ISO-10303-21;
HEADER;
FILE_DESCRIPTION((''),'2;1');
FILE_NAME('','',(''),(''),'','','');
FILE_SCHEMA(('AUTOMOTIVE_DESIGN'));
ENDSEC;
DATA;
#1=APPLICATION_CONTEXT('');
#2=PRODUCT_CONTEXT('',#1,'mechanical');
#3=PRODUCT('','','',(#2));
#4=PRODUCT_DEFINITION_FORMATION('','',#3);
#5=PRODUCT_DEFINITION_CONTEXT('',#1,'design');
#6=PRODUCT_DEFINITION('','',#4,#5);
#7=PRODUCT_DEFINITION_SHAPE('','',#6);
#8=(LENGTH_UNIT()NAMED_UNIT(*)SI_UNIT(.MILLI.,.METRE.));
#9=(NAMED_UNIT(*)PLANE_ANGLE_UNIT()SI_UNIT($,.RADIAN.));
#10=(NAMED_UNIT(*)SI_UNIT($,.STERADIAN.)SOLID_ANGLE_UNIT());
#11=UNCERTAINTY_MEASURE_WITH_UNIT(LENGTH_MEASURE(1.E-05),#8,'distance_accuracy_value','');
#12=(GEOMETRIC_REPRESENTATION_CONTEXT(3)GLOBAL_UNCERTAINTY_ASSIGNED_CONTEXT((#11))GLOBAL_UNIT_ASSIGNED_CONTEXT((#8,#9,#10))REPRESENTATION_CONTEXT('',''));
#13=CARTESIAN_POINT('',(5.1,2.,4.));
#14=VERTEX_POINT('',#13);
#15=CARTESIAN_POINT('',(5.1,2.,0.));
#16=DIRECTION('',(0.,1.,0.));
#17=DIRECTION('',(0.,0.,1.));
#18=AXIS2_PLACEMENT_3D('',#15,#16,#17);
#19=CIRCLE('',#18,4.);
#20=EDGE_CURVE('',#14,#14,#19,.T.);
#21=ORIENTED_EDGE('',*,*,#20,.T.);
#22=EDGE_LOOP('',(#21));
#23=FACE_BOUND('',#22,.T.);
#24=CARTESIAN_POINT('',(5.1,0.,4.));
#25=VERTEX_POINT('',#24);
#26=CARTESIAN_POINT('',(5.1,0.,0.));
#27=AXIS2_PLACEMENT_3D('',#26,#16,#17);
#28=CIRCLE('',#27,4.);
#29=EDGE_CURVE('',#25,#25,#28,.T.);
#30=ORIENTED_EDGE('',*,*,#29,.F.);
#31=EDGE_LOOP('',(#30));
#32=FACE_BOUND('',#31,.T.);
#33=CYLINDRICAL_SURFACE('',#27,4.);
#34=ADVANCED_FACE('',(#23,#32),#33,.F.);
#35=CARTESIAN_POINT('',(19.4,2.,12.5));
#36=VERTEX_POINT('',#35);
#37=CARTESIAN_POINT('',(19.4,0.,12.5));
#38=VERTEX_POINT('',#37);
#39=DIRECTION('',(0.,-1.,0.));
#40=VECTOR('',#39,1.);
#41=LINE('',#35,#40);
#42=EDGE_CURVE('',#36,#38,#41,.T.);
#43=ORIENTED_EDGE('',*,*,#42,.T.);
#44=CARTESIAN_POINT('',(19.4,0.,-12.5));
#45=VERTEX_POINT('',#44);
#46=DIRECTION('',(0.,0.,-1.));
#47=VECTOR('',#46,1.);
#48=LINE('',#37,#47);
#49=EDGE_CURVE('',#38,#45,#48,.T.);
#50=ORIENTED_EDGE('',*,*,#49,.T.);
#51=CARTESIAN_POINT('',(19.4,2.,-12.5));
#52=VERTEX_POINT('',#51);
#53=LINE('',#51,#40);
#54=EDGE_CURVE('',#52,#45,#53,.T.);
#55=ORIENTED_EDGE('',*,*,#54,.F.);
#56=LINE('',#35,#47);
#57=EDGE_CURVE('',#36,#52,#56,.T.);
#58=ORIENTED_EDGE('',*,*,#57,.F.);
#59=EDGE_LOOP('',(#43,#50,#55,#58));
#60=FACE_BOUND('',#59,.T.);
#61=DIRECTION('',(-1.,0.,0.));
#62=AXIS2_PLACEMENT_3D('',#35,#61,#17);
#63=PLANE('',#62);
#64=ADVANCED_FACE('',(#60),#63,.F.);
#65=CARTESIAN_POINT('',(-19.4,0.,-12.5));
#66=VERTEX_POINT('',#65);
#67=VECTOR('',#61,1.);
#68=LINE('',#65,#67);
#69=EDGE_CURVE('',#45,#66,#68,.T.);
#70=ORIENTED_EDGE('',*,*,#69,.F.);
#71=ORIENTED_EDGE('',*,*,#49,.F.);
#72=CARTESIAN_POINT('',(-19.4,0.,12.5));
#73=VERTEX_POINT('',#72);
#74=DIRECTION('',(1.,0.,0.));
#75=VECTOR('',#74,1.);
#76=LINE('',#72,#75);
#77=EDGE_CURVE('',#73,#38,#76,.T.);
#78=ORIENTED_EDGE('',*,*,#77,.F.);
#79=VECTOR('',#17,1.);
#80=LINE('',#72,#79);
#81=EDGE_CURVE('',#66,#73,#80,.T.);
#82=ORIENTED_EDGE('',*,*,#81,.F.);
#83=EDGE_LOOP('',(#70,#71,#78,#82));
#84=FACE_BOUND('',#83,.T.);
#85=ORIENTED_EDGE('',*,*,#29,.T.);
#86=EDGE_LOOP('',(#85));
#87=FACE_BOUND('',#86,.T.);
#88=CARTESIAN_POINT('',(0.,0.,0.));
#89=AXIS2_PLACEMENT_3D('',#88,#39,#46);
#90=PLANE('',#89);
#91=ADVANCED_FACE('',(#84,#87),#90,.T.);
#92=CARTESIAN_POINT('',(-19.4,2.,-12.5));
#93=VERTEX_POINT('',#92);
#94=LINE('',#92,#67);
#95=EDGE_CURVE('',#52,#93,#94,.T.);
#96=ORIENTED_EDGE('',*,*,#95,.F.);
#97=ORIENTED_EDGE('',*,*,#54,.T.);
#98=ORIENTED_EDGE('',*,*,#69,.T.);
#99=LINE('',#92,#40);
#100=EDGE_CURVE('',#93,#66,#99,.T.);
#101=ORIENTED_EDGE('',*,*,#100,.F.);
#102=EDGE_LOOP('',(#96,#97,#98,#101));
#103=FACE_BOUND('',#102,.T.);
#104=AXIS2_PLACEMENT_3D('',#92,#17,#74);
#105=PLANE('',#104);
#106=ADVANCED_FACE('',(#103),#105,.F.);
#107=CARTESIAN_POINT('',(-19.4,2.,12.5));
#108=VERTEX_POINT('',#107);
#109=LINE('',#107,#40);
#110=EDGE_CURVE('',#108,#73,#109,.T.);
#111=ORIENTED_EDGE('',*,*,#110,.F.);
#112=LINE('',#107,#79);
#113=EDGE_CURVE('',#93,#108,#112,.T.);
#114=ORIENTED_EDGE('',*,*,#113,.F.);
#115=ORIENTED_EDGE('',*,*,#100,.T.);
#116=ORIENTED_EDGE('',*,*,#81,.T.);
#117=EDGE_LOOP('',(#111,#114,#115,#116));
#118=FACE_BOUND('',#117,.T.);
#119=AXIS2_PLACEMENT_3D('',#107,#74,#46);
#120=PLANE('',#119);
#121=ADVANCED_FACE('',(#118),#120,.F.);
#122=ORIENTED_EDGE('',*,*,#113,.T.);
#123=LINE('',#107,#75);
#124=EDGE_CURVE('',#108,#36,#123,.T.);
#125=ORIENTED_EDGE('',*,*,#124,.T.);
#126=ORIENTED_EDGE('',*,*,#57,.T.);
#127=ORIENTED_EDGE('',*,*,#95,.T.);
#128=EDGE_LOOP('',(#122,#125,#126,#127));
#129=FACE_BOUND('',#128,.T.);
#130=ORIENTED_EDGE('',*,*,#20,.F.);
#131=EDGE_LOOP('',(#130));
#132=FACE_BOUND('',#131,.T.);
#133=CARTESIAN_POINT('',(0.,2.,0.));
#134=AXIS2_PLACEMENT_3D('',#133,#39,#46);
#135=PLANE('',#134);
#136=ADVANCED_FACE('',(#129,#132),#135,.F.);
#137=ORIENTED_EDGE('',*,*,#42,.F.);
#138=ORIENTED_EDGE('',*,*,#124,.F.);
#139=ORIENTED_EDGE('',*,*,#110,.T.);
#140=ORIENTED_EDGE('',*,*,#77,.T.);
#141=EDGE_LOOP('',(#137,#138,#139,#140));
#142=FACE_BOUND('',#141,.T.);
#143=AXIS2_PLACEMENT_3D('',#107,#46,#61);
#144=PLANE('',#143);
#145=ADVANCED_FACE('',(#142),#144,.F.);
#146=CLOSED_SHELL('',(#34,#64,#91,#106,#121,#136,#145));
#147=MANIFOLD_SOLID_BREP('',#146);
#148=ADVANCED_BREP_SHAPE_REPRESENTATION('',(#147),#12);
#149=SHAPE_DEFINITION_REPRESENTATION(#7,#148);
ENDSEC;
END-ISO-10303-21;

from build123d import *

# Parameters (mm, degrees)
SKETCH2_W           = 38.8
SKETCH2_H           = 25
BOSS_EXTRUDE1_DEPTH = 2
SKETCH3_R           = 4
CUT_EXTRUDE1_DEPTH  = 3


with BuildPart() as part:
    # Sketch2 → Boss-Extrude1 (new body)
    with BuildSketch(Plane(origin=(0, 0, 0), x_dir=(1, 0, 0), z_dir=(0, 1, 0))):
        Rectangle(SKETCH2_W, SKETCH2_H)
    extrude(amount=BOSS_EXTRUDE1_DEPTH)

    # Sketch3 → Cut-Extrude1 (cut, through all)
    with BuildSketch(Plane(origin=(0, 2, 0), x_dir=(1, 0, 0), z_dir=(0, 1, 0))):
        with Locations((5.1, 0)):
            Circle(SKETCH3_R)
    extrude(amount=-CUT_EXTRUDE1_DEPTH, mode=Mode.SUBTRACT)


solid = part.part
